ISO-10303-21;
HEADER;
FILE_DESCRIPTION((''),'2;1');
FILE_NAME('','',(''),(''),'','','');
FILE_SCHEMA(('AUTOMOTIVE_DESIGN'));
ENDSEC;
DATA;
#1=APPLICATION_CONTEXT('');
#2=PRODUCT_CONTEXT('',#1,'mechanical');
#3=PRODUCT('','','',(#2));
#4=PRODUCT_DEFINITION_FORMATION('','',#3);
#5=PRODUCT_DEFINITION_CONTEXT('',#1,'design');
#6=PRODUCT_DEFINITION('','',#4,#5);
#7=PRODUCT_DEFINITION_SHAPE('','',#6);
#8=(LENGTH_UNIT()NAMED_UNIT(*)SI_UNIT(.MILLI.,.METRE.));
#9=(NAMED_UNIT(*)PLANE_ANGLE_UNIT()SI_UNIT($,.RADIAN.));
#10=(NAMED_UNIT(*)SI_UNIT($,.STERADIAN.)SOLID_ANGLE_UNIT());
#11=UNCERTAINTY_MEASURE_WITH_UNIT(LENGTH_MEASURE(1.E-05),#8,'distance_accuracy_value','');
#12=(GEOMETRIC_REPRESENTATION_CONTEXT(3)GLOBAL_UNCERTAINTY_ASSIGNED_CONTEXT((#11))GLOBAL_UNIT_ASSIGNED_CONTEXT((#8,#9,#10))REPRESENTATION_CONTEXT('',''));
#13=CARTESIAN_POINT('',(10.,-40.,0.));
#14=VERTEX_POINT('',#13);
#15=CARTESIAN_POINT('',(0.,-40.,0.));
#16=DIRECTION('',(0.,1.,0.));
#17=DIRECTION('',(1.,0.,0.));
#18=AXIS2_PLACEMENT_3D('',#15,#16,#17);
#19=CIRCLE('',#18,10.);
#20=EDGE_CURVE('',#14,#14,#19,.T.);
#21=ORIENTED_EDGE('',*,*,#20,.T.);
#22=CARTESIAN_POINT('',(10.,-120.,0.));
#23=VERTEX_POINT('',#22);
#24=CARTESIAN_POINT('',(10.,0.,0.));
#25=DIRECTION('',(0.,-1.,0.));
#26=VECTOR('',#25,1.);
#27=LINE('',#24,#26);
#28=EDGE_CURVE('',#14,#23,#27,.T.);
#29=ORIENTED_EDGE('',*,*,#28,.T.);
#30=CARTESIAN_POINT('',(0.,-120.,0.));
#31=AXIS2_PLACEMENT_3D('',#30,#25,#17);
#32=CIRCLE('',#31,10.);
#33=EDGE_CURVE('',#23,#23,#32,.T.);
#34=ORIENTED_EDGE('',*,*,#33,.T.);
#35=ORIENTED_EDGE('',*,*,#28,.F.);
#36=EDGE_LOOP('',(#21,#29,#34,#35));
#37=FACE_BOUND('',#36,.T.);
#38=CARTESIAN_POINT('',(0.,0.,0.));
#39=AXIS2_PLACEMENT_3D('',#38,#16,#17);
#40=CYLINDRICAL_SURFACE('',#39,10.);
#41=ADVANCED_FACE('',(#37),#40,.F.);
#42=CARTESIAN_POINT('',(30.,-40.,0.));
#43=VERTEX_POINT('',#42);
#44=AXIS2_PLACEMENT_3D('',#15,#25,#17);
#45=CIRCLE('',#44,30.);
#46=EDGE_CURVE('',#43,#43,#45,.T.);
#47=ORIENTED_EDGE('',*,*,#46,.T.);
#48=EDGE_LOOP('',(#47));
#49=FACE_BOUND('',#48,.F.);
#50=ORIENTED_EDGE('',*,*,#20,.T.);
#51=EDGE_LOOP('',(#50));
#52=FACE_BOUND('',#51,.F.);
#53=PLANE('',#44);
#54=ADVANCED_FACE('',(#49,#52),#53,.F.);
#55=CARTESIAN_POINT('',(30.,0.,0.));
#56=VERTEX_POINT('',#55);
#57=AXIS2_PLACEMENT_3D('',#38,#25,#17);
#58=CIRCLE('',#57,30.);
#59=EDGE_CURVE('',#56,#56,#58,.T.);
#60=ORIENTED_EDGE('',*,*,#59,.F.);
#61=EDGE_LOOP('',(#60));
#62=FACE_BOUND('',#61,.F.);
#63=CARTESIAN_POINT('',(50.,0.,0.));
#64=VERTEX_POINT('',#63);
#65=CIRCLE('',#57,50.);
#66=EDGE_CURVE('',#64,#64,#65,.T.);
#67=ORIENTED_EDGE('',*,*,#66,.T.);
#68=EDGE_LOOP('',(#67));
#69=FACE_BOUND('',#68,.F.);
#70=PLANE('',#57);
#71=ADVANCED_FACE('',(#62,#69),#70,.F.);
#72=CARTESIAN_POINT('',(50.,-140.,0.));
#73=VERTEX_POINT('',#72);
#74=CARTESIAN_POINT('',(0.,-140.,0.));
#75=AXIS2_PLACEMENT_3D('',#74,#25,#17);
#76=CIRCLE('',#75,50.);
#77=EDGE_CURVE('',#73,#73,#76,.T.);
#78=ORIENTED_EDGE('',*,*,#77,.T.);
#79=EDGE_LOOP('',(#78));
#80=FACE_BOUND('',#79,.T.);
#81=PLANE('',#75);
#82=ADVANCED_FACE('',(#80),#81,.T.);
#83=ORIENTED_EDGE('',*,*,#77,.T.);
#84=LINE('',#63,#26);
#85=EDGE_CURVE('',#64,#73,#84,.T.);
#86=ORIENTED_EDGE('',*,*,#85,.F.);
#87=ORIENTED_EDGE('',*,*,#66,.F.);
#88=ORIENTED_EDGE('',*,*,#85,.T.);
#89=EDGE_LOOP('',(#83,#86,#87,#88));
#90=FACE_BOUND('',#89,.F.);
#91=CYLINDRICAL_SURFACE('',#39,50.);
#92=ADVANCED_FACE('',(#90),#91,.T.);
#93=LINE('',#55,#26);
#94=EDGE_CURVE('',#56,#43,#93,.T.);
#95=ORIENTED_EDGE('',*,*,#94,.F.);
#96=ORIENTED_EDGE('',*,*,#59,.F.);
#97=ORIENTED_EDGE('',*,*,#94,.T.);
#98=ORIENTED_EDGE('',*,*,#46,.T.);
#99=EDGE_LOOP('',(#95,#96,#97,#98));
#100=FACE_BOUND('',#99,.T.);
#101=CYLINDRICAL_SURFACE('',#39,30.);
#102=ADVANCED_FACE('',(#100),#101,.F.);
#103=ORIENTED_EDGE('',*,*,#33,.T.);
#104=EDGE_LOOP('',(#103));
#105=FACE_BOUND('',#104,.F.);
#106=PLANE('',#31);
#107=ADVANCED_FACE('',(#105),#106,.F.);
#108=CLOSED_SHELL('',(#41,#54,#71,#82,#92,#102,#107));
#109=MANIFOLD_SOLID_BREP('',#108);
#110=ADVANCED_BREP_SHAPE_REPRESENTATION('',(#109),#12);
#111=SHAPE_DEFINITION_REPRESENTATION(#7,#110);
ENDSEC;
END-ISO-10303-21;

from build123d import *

# Parameters (mm, degrees)
F0_R     = 50
F0_R_2   = 30
F0_R_3   = 10
F1_DEPTH = 140
F2_DEPTH = 40
F3_DEPTH = 120


with BuildPart() as f1:
    # F0 (on Front) → F1 (new body)
    with BuildSketch(Plane.XZ):
        Circle(F0_R)
        Circle(F0_R_2, mode=Mode.SUBTRACT)
        Circle(F0_R_2)
        Circle(F0_R_3, mode=Mode.SUBTRACT)
        Circle(F0_R_3)
    extrude(amount=F1_DEPTH)

    # F0 (on Front) → F2 (cut)
    with BuildSketch(Plane.XZ):
        Circle(F0_R_2)
        Circle(F0_R_3, mode=Mode.SUBTRACT)
        Circle(F0_R_3)
    extrude(amount=F2_DEPTH, mode=Mode.SUBTRACT)

    # F0 (on Front) → F3 (cut)
    with BuildSketch(Plane.XZ):
        Circle(F0_R_3)
    extrude(amount=F3_DEPTH, mode=Mode.SUBTRACT)


solid = f1.part
